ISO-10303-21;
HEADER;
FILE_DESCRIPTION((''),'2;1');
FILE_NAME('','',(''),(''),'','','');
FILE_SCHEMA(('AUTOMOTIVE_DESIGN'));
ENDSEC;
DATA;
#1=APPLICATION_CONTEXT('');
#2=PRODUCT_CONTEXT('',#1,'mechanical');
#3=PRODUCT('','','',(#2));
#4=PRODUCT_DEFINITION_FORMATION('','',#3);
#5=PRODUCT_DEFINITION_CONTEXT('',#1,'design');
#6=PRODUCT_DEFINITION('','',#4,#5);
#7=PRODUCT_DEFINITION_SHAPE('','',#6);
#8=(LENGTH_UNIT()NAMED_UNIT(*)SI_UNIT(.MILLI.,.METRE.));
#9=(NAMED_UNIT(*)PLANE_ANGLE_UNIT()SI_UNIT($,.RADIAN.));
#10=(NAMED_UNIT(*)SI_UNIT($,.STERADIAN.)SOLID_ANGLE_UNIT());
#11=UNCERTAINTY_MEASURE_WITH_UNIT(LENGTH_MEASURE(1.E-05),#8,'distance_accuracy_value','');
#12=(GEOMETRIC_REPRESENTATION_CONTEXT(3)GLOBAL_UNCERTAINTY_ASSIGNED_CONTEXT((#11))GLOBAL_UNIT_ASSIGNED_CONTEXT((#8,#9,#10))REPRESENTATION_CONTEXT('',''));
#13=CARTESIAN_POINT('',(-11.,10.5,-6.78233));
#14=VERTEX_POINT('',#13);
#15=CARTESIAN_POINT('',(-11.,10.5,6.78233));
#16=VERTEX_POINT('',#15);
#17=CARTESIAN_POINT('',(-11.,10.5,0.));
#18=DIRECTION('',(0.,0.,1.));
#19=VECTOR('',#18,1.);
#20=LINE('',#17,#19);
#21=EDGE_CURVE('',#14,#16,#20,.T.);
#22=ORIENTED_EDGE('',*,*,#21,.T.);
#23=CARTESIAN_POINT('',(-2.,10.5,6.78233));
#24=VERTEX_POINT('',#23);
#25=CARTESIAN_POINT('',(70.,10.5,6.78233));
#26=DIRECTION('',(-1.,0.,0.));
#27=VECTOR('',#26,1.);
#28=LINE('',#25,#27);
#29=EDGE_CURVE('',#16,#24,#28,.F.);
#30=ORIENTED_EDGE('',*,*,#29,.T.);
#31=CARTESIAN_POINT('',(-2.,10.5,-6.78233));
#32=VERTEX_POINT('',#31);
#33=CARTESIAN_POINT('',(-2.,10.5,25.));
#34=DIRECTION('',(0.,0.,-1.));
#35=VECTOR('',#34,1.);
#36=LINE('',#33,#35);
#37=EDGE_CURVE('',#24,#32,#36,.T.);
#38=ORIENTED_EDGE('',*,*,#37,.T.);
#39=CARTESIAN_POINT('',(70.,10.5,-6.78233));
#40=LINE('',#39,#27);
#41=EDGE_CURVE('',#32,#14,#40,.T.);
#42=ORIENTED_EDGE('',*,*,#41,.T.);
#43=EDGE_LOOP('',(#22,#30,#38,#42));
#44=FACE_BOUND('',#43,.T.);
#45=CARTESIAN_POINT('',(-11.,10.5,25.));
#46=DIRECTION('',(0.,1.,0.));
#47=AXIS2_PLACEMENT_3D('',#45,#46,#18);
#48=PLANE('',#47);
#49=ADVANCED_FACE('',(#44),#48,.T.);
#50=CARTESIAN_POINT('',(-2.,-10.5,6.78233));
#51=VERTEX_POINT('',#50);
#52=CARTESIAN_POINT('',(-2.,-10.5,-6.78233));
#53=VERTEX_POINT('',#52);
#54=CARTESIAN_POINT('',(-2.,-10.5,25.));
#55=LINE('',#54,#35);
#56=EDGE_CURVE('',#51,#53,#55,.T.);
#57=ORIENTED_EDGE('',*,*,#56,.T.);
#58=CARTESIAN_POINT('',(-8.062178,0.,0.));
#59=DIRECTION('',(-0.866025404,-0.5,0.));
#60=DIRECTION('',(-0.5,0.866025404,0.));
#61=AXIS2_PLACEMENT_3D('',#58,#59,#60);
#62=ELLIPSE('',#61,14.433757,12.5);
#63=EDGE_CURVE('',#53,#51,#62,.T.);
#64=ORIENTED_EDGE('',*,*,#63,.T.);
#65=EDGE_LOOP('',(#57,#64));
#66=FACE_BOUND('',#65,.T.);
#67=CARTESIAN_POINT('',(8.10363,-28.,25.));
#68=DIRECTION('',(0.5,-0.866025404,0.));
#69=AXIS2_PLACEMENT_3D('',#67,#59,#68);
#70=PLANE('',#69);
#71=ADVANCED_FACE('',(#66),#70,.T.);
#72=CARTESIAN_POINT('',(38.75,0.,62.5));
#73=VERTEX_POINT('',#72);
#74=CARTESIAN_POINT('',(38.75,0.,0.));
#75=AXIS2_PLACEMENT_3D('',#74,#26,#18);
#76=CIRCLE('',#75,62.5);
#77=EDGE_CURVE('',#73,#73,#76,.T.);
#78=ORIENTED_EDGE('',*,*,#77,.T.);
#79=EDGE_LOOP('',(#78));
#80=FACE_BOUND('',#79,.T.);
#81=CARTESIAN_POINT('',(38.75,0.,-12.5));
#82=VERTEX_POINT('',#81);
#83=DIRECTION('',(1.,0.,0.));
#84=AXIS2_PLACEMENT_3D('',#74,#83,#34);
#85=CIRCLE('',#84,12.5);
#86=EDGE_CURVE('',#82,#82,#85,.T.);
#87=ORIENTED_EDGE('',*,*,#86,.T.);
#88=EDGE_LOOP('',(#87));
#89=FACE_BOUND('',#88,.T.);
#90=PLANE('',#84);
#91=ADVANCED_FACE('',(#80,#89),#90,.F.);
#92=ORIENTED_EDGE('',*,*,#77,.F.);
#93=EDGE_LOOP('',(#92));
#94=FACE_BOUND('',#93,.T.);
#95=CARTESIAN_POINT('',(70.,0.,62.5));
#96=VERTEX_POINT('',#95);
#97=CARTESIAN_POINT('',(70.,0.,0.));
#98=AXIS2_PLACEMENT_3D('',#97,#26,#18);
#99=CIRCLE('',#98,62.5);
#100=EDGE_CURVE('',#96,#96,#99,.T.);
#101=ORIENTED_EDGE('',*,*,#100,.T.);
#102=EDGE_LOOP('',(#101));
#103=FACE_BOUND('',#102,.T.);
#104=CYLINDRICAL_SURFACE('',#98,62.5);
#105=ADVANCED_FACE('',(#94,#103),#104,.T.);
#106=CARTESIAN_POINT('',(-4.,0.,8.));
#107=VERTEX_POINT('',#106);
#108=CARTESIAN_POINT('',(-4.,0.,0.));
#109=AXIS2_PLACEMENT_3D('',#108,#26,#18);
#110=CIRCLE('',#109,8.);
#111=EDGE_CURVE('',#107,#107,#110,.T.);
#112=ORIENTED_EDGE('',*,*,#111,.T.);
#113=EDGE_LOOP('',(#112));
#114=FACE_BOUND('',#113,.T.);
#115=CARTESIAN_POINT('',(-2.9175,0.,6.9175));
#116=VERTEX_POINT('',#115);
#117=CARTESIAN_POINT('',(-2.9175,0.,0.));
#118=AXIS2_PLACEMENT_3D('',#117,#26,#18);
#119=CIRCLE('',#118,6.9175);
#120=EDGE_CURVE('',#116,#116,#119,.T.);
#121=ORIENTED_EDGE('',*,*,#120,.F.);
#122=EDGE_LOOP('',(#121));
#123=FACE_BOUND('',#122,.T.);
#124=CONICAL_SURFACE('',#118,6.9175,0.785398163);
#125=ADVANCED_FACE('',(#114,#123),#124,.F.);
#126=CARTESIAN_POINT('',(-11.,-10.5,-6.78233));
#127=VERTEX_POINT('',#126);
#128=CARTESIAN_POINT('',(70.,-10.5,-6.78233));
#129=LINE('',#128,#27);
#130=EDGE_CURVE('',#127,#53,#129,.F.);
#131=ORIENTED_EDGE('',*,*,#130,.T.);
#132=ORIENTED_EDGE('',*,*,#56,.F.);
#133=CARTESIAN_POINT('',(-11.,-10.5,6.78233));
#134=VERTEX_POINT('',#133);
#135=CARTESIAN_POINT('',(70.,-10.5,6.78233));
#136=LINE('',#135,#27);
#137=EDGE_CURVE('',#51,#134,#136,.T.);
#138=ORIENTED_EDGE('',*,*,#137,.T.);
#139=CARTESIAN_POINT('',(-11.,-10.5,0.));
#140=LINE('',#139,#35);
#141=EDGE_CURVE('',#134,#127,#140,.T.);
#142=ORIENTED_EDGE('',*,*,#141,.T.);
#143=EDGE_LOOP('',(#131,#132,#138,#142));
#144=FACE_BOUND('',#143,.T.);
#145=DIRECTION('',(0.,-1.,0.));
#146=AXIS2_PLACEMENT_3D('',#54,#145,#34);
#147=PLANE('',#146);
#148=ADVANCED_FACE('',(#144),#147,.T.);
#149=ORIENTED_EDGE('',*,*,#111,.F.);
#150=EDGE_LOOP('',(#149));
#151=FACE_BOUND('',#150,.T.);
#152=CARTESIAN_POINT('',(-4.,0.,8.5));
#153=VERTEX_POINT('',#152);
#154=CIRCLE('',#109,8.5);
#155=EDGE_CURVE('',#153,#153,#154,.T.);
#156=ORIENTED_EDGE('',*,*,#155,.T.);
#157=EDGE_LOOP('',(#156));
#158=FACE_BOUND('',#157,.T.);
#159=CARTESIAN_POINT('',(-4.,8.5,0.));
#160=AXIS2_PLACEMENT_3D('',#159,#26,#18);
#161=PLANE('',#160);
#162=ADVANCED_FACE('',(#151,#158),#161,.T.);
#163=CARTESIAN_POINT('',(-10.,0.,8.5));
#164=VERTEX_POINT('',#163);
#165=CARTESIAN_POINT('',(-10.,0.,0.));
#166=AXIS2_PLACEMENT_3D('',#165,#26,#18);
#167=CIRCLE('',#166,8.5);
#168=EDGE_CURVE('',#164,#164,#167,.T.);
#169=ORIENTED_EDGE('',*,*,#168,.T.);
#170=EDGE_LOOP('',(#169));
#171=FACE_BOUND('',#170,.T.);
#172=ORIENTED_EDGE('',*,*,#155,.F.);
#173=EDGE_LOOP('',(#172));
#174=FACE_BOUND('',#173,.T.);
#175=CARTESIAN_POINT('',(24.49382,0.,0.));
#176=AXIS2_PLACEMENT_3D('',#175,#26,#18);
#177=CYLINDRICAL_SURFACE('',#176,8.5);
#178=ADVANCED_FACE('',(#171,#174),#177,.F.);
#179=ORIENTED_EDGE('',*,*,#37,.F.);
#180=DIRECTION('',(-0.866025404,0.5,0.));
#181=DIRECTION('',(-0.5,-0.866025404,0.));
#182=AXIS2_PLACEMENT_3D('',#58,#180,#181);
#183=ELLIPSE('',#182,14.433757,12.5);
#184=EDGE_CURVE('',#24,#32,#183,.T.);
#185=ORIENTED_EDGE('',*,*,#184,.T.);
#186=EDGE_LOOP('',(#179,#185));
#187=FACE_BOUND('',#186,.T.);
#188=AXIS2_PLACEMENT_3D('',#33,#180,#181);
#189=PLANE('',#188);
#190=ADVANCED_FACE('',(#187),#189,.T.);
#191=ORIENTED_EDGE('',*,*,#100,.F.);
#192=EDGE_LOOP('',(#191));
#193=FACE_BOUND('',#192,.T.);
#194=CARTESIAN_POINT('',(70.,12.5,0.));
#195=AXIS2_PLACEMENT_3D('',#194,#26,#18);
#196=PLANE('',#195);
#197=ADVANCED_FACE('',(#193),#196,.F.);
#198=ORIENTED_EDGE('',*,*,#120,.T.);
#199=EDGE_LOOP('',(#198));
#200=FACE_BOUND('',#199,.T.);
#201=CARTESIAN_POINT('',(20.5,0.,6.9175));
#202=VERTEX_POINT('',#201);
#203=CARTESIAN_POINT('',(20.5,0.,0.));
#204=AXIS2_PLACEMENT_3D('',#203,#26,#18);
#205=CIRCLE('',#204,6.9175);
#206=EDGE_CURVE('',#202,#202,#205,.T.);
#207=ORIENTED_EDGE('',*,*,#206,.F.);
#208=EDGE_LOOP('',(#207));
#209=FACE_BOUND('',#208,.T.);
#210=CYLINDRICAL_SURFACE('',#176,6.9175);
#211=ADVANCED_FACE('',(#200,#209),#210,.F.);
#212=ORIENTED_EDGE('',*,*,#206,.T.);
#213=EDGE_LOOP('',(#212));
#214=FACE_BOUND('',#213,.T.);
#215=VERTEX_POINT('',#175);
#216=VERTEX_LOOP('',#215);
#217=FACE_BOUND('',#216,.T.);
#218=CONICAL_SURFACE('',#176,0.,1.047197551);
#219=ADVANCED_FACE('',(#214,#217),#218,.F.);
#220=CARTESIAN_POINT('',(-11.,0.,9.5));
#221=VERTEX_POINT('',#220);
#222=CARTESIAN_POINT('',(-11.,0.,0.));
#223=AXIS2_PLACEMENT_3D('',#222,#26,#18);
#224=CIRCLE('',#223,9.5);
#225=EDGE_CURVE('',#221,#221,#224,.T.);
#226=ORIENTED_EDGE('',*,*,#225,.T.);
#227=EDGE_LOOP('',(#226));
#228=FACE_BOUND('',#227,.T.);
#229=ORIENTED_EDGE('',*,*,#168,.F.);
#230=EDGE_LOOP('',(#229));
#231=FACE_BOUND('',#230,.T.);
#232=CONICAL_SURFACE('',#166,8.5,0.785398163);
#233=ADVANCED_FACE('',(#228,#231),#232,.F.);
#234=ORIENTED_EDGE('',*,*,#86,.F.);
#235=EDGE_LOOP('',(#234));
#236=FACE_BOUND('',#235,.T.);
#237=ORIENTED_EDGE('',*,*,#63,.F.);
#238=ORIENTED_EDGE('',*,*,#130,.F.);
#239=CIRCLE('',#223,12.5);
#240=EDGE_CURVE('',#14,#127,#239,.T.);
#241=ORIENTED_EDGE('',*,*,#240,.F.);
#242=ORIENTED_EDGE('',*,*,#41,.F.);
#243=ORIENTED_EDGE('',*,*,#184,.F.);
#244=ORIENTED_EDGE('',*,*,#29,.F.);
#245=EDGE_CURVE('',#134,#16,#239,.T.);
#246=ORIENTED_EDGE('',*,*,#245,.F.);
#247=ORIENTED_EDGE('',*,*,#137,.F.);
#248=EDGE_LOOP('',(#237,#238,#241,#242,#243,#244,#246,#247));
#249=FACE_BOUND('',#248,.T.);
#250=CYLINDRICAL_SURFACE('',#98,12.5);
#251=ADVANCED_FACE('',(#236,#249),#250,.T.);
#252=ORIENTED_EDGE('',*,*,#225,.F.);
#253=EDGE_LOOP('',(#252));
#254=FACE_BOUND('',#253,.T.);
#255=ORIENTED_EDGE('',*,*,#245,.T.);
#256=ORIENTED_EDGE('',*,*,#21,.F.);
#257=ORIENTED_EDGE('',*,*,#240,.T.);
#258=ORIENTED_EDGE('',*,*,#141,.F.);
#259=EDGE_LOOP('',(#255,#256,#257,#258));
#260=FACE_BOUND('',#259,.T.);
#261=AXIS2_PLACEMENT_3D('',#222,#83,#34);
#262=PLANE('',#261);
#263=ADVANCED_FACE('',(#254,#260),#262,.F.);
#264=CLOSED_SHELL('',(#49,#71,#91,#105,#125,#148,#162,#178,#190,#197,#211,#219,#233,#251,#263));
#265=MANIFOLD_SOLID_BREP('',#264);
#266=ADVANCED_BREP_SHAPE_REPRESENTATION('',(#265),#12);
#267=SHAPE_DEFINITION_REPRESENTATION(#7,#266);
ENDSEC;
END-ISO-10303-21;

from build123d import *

# Parameters (mm, degrees)
SKETCH1_W               = 81
SKETCH1_H               = 12.5
SKETCH2_W               = 31.25
SKETCH2_H               = 62.5
CUT_EXTRUDE1_DEPTH      = 25
CUT_EXTRUDE1_DEPTH_BACK = 25


with BuildPart() as part:
    # Sketch1 → Revolve1 (revolve)
    with BuildSketch(Plane.XY):
        with Locations((29.5, 6.25)):
            Rectangle(SKETCH1_W, SKETCH1_H)
    revolve(axis=Axis((70, 0, 0), (-1, 0, 0)))

    # Sketch2 → Revolve2 (revolve)
    with BuildSketch(Plane.XY):
        with Locations((54.375, 31.25)):
            Rectangle(SKETCH2_W, SKETCH2_H)
    revolve(axis=Axis((70, 0, 0), (-1, 0, 0)))

    # Sketch3 → Cut-Extrude1 (cut, two sides: drawn at the far end of the back side and taken through both)
    with BuildSketch(Plane.XY.offset(-CUT_EXTRUDE1_DEPTH_BACK)):
        Polygon((-67, -28), (8.103629711, -28), (-2, -10.5), (-11, -10.5), (-11, -15.5), (-56, -15.5), (-56, 15.5), (-11, 15.5), (-11, 10.5), (-2, 10.5), (8.103629711, 28), (-67, 28), align=None)
    extrude(amount=CUT_EXTRUDE1_DEPTH + CUT_EXTRUDE1_DEPTH_BACK, mode=Mode.SUBTRACT)

    # Sketch4 → Cut-Revolve1 (revolve, cut)
    with BuildSketch(Plane.XY):
        Polygon((-11, 0), (-11, 9.5), (-10, 8.5), (-4, 8.5), (-4, 8), (-2.9175, 6.9175), (20.5, 6.9175), (24.493820487, 0), align=None)
    revolve(axis=Axis((24.493820487, 0, 0), (-1, 0, 0)), mode=Mode.SUBTRACT)


solid = part.part
